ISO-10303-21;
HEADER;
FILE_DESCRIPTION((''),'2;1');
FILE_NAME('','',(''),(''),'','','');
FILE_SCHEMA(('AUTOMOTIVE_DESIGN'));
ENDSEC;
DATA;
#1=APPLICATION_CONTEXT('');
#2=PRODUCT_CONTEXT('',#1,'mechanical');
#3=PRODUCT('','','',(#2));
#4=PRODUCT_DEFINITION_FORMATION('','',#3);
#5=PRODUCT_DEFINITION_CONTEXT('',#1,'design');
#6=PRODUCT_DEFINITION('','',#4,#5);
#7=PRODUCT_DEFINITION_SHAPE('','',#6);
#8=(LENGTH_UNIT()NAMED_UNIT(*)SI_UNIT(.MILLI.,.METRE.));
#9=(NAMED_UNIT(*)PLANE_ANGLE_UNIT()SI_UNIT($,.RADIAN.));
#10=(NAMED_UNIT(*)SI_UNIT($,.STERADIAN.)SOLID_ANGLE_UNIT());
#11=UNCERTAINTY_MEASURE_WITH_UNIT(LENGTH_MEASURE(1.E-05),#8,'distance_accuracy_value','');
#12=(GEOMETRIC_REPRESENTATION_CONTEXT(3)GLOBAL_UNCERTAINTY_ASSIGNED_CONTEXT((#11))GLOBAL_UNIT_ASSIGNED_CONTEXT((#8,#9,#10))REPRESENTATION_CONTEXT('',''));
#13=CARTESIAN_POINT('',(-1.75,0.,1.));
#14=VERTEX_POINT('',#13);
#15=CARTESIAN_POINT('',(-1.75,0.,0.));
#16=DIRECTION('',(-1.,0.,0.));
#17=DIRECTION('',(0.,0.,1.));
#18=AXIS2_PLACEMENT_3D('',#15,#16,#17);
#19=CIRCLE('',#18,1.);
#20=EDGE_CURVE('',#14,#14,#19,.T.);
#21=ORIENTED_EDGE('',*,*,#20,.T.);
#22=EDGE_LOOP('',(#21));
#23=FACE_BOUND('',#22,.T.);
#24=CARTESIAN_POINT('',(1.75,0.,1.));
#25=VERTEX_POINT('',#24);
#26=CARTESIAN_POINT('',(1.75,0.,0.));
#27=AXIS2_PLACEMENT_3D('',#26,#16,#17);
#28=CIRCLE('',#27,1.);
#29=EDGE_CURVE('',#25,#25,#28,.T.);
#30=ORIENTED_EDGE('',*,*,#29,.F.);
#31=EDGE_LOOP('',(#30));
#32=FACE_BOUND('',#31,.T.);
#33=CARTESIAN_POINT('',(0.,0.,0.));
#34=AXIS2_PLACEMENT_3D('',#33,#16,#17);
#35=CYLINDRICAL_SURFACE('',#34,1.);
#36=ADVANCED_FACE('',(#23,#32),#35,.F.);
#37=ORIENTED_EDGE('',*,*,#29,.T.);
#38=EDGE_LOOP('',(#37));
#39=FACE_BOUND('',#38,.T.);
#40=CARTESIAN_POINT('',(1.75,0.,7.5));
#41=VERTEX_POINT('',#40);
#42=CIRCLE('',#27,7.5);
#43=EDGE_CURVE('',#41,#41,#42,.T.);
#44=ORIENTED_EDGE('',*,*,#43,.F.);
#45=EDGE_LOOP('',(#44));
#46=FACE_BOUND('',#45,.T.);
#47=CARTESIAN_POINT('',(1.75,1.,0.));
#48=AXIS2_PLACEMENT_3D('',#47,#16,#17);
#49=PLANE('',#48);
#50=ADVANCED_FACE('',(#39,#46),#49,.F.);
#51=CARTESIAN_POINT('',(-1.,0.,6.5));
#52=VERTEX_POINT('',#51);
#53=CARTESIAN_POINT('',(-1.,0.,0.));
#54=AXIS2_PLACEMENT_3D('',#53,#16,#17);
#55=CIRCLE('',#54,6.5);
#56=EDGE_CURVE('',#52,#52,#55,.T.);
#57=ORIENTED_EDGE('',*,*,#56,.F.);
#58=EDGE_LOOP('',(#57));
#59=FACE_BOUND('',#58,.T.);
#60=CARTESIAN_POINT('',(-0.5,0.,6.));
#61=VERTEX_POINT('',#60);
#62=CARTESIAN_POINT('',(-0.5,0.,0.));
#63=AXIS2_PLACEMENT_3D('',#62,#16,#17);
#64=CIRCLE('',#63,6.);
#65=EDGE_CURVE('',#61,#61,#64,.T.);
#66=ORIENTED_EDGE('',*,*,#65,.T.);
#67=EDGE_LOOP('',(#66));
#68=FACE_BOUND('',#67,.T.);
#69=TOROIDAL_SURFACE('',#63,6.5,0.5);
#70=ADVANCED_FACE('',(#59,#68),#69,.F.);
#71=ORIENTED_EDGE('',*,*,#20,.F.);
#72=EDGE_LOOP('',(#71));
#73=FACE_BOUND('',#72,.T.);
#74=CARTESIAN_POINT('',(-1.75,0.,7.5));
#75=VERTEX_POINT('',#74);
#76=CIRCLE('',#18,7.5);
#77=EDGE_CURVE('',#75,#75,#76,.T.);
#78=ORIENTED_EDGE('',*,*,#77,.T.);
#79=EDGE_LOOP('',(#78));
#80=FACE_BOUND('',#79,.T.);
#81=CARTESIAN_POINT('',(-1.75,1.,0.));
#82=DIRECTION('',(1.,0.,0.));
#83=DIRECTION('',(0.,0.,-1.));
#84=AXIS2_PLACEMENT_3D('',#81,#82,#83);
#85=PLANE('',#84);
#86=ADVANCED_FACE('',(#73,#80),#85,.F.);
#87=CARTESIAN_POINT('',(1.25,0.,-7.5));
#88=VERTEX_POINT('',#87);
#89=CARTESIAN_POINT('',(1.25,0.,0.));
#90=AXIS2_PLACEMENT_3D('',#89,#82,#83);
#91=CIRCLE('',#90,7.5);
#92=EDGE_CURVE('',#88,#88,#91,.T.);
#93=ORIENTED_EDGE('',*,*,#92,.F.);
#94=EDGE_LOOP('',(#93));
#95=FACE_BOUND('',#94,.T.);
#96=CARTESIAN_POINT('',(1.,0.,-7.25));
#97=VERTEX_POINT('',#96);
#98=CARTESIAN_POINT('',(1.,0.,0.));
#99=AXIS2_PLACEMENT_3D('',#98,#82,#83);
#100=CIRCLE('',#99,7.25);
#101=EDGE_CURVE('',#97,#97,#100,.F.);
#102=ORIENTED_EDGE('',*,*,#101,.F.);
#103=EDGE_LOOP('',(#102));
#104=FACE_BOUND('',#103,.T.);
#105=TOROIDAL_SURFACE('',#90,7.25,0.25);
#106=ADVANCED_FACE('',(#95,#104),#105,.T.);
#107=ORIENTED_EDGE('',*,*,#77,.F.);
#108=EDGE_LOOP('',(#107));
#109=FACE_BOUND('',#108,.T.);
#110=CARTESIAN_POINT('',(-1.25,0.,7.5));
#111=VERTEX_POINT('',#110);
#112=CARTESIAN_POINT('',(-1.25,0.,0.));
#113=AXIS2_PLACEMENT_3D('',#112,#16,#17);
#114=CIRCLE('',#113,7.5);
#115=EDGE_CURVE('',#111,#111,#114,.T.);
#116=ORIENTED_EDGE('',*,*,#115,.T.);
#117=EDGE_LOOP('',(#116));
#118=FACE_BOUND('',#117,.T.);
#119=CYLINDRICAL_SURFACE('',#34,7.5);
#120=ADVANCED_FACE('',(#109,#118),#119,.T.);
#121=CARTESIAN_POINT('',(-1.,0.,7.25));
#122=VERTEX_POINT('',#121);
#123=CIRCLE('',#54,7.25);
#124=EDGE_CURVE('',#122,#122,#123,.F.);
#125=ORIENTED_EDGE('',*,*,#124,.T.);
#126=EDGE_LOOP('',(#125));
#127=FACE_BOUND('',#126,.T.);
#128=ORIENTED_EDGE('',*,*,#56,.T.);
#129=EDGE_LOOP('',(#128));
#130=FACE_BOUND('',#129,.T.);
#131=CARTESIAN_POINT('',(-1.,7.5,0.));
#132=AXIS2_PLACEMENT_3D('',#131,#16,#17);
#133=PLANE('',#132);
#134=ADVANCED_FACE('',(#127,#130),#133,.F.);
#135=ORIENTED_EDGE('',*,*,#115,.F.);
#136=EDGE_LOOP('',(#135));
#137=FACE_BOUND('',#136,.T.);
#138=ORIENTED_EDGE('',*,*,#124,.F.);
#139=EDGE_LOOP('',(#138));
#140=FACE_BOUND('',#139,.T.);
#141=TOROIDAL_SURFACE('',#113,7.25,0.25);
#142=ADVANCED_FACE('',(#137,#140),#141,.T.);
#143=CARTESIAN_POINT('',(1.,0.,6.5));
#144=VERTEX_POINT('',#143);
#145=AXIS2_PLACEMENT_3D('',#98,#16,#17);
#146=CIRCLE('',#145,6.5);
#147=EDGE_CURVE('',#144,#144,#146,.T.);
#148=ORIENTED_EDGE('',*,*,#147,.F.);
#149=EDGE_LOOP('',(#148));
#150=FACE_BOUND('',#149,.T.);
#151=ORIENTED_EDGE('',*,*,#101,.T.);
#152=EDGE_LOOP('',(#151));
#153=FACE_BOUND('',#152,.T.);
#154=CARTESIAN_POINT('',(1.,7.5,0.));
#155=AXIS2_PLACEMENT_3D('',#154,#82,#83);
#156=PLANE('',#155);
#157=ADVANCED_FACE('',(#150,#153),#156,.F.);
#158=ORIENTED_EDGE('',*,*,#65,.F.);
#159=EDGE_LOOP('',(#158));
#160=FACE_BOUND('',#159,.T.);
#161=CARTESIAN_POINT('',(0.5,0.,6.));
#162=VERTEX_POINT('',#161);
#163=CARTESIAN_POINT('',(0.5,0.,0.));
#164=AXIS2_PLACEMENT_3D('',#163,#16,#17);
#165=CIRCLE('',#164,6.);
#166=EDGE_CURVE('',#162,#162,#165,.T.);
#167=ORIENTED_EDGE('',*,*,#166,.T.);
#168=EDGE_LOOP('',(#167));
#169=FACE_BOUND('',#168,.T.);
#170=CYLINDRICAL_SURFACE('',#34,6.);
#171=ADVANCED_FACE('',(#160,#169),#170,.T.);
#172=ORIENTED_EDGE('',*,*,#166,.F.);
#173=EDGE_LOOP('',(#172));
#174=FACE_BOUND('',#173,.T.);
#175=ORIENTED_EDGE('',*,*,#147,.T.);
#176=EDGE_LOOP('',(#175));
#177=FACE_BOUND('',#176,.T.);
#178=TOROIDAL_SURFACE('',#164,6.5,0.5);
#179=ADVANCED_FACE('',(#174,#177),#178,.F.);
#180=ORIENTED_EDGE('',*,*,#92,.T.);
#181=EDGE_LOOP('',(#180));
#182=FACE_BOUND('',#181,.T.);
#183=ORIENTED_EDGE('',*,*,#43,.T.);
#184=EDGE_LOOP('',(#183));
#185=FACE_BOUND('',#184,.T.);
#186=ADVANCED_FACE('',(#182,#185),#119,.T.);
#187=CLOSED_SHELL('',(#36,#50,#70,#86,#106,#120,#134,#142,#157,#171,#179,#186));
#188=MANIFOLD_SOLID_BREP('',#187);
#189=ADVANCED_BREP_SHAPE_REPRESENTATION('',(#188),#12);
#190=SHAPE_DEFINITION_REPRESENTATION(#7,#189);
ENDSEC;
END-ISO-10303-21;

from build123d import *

# Parameters (mm, degrees)
FILLET1_R = 0.25


with BuildPart() as part:
    # Sketch1 → Revolve1 (revolve)
    with BuildSketch(Plane.XY):
        with BuildLine():
            Line((-1.75, 1), (1.75, 1))
            Line((1.75, 1), (1.75, 7.5))
            Line((1.75, 7.5), (1, 7.5))
            Line((1, 7.5), (1, 6.5))
            ThreePointArc((1, 6.5), (0.853553391, 6.146446609), (0.5, 6))
            Line((0.5, 6), (-0.5, 6))
            ThreePointArc((-0.5, 6), (-0.853553391, 6.146446609), (-1, 6.5))
            Line((-1, 6.5), (-1, 7.5))
            Line((-1, 7.5), (-1.75, 7.5))
            Line((-1.75, 7.5), (-1.75, 1))
        make_face()
    revolve(axis=Axis((0, 0, 0), (1, 0, 0)))

    # Fillet1
    fillet1_edges = [part.edges().sort_by_distance(p)[0] for p in [
        (1, -7.5, 0),
        (-1, -7.5, 0),
    ]]
    fillet(fillet1_edges, radius=FILLET1_R)


solid = part.part
